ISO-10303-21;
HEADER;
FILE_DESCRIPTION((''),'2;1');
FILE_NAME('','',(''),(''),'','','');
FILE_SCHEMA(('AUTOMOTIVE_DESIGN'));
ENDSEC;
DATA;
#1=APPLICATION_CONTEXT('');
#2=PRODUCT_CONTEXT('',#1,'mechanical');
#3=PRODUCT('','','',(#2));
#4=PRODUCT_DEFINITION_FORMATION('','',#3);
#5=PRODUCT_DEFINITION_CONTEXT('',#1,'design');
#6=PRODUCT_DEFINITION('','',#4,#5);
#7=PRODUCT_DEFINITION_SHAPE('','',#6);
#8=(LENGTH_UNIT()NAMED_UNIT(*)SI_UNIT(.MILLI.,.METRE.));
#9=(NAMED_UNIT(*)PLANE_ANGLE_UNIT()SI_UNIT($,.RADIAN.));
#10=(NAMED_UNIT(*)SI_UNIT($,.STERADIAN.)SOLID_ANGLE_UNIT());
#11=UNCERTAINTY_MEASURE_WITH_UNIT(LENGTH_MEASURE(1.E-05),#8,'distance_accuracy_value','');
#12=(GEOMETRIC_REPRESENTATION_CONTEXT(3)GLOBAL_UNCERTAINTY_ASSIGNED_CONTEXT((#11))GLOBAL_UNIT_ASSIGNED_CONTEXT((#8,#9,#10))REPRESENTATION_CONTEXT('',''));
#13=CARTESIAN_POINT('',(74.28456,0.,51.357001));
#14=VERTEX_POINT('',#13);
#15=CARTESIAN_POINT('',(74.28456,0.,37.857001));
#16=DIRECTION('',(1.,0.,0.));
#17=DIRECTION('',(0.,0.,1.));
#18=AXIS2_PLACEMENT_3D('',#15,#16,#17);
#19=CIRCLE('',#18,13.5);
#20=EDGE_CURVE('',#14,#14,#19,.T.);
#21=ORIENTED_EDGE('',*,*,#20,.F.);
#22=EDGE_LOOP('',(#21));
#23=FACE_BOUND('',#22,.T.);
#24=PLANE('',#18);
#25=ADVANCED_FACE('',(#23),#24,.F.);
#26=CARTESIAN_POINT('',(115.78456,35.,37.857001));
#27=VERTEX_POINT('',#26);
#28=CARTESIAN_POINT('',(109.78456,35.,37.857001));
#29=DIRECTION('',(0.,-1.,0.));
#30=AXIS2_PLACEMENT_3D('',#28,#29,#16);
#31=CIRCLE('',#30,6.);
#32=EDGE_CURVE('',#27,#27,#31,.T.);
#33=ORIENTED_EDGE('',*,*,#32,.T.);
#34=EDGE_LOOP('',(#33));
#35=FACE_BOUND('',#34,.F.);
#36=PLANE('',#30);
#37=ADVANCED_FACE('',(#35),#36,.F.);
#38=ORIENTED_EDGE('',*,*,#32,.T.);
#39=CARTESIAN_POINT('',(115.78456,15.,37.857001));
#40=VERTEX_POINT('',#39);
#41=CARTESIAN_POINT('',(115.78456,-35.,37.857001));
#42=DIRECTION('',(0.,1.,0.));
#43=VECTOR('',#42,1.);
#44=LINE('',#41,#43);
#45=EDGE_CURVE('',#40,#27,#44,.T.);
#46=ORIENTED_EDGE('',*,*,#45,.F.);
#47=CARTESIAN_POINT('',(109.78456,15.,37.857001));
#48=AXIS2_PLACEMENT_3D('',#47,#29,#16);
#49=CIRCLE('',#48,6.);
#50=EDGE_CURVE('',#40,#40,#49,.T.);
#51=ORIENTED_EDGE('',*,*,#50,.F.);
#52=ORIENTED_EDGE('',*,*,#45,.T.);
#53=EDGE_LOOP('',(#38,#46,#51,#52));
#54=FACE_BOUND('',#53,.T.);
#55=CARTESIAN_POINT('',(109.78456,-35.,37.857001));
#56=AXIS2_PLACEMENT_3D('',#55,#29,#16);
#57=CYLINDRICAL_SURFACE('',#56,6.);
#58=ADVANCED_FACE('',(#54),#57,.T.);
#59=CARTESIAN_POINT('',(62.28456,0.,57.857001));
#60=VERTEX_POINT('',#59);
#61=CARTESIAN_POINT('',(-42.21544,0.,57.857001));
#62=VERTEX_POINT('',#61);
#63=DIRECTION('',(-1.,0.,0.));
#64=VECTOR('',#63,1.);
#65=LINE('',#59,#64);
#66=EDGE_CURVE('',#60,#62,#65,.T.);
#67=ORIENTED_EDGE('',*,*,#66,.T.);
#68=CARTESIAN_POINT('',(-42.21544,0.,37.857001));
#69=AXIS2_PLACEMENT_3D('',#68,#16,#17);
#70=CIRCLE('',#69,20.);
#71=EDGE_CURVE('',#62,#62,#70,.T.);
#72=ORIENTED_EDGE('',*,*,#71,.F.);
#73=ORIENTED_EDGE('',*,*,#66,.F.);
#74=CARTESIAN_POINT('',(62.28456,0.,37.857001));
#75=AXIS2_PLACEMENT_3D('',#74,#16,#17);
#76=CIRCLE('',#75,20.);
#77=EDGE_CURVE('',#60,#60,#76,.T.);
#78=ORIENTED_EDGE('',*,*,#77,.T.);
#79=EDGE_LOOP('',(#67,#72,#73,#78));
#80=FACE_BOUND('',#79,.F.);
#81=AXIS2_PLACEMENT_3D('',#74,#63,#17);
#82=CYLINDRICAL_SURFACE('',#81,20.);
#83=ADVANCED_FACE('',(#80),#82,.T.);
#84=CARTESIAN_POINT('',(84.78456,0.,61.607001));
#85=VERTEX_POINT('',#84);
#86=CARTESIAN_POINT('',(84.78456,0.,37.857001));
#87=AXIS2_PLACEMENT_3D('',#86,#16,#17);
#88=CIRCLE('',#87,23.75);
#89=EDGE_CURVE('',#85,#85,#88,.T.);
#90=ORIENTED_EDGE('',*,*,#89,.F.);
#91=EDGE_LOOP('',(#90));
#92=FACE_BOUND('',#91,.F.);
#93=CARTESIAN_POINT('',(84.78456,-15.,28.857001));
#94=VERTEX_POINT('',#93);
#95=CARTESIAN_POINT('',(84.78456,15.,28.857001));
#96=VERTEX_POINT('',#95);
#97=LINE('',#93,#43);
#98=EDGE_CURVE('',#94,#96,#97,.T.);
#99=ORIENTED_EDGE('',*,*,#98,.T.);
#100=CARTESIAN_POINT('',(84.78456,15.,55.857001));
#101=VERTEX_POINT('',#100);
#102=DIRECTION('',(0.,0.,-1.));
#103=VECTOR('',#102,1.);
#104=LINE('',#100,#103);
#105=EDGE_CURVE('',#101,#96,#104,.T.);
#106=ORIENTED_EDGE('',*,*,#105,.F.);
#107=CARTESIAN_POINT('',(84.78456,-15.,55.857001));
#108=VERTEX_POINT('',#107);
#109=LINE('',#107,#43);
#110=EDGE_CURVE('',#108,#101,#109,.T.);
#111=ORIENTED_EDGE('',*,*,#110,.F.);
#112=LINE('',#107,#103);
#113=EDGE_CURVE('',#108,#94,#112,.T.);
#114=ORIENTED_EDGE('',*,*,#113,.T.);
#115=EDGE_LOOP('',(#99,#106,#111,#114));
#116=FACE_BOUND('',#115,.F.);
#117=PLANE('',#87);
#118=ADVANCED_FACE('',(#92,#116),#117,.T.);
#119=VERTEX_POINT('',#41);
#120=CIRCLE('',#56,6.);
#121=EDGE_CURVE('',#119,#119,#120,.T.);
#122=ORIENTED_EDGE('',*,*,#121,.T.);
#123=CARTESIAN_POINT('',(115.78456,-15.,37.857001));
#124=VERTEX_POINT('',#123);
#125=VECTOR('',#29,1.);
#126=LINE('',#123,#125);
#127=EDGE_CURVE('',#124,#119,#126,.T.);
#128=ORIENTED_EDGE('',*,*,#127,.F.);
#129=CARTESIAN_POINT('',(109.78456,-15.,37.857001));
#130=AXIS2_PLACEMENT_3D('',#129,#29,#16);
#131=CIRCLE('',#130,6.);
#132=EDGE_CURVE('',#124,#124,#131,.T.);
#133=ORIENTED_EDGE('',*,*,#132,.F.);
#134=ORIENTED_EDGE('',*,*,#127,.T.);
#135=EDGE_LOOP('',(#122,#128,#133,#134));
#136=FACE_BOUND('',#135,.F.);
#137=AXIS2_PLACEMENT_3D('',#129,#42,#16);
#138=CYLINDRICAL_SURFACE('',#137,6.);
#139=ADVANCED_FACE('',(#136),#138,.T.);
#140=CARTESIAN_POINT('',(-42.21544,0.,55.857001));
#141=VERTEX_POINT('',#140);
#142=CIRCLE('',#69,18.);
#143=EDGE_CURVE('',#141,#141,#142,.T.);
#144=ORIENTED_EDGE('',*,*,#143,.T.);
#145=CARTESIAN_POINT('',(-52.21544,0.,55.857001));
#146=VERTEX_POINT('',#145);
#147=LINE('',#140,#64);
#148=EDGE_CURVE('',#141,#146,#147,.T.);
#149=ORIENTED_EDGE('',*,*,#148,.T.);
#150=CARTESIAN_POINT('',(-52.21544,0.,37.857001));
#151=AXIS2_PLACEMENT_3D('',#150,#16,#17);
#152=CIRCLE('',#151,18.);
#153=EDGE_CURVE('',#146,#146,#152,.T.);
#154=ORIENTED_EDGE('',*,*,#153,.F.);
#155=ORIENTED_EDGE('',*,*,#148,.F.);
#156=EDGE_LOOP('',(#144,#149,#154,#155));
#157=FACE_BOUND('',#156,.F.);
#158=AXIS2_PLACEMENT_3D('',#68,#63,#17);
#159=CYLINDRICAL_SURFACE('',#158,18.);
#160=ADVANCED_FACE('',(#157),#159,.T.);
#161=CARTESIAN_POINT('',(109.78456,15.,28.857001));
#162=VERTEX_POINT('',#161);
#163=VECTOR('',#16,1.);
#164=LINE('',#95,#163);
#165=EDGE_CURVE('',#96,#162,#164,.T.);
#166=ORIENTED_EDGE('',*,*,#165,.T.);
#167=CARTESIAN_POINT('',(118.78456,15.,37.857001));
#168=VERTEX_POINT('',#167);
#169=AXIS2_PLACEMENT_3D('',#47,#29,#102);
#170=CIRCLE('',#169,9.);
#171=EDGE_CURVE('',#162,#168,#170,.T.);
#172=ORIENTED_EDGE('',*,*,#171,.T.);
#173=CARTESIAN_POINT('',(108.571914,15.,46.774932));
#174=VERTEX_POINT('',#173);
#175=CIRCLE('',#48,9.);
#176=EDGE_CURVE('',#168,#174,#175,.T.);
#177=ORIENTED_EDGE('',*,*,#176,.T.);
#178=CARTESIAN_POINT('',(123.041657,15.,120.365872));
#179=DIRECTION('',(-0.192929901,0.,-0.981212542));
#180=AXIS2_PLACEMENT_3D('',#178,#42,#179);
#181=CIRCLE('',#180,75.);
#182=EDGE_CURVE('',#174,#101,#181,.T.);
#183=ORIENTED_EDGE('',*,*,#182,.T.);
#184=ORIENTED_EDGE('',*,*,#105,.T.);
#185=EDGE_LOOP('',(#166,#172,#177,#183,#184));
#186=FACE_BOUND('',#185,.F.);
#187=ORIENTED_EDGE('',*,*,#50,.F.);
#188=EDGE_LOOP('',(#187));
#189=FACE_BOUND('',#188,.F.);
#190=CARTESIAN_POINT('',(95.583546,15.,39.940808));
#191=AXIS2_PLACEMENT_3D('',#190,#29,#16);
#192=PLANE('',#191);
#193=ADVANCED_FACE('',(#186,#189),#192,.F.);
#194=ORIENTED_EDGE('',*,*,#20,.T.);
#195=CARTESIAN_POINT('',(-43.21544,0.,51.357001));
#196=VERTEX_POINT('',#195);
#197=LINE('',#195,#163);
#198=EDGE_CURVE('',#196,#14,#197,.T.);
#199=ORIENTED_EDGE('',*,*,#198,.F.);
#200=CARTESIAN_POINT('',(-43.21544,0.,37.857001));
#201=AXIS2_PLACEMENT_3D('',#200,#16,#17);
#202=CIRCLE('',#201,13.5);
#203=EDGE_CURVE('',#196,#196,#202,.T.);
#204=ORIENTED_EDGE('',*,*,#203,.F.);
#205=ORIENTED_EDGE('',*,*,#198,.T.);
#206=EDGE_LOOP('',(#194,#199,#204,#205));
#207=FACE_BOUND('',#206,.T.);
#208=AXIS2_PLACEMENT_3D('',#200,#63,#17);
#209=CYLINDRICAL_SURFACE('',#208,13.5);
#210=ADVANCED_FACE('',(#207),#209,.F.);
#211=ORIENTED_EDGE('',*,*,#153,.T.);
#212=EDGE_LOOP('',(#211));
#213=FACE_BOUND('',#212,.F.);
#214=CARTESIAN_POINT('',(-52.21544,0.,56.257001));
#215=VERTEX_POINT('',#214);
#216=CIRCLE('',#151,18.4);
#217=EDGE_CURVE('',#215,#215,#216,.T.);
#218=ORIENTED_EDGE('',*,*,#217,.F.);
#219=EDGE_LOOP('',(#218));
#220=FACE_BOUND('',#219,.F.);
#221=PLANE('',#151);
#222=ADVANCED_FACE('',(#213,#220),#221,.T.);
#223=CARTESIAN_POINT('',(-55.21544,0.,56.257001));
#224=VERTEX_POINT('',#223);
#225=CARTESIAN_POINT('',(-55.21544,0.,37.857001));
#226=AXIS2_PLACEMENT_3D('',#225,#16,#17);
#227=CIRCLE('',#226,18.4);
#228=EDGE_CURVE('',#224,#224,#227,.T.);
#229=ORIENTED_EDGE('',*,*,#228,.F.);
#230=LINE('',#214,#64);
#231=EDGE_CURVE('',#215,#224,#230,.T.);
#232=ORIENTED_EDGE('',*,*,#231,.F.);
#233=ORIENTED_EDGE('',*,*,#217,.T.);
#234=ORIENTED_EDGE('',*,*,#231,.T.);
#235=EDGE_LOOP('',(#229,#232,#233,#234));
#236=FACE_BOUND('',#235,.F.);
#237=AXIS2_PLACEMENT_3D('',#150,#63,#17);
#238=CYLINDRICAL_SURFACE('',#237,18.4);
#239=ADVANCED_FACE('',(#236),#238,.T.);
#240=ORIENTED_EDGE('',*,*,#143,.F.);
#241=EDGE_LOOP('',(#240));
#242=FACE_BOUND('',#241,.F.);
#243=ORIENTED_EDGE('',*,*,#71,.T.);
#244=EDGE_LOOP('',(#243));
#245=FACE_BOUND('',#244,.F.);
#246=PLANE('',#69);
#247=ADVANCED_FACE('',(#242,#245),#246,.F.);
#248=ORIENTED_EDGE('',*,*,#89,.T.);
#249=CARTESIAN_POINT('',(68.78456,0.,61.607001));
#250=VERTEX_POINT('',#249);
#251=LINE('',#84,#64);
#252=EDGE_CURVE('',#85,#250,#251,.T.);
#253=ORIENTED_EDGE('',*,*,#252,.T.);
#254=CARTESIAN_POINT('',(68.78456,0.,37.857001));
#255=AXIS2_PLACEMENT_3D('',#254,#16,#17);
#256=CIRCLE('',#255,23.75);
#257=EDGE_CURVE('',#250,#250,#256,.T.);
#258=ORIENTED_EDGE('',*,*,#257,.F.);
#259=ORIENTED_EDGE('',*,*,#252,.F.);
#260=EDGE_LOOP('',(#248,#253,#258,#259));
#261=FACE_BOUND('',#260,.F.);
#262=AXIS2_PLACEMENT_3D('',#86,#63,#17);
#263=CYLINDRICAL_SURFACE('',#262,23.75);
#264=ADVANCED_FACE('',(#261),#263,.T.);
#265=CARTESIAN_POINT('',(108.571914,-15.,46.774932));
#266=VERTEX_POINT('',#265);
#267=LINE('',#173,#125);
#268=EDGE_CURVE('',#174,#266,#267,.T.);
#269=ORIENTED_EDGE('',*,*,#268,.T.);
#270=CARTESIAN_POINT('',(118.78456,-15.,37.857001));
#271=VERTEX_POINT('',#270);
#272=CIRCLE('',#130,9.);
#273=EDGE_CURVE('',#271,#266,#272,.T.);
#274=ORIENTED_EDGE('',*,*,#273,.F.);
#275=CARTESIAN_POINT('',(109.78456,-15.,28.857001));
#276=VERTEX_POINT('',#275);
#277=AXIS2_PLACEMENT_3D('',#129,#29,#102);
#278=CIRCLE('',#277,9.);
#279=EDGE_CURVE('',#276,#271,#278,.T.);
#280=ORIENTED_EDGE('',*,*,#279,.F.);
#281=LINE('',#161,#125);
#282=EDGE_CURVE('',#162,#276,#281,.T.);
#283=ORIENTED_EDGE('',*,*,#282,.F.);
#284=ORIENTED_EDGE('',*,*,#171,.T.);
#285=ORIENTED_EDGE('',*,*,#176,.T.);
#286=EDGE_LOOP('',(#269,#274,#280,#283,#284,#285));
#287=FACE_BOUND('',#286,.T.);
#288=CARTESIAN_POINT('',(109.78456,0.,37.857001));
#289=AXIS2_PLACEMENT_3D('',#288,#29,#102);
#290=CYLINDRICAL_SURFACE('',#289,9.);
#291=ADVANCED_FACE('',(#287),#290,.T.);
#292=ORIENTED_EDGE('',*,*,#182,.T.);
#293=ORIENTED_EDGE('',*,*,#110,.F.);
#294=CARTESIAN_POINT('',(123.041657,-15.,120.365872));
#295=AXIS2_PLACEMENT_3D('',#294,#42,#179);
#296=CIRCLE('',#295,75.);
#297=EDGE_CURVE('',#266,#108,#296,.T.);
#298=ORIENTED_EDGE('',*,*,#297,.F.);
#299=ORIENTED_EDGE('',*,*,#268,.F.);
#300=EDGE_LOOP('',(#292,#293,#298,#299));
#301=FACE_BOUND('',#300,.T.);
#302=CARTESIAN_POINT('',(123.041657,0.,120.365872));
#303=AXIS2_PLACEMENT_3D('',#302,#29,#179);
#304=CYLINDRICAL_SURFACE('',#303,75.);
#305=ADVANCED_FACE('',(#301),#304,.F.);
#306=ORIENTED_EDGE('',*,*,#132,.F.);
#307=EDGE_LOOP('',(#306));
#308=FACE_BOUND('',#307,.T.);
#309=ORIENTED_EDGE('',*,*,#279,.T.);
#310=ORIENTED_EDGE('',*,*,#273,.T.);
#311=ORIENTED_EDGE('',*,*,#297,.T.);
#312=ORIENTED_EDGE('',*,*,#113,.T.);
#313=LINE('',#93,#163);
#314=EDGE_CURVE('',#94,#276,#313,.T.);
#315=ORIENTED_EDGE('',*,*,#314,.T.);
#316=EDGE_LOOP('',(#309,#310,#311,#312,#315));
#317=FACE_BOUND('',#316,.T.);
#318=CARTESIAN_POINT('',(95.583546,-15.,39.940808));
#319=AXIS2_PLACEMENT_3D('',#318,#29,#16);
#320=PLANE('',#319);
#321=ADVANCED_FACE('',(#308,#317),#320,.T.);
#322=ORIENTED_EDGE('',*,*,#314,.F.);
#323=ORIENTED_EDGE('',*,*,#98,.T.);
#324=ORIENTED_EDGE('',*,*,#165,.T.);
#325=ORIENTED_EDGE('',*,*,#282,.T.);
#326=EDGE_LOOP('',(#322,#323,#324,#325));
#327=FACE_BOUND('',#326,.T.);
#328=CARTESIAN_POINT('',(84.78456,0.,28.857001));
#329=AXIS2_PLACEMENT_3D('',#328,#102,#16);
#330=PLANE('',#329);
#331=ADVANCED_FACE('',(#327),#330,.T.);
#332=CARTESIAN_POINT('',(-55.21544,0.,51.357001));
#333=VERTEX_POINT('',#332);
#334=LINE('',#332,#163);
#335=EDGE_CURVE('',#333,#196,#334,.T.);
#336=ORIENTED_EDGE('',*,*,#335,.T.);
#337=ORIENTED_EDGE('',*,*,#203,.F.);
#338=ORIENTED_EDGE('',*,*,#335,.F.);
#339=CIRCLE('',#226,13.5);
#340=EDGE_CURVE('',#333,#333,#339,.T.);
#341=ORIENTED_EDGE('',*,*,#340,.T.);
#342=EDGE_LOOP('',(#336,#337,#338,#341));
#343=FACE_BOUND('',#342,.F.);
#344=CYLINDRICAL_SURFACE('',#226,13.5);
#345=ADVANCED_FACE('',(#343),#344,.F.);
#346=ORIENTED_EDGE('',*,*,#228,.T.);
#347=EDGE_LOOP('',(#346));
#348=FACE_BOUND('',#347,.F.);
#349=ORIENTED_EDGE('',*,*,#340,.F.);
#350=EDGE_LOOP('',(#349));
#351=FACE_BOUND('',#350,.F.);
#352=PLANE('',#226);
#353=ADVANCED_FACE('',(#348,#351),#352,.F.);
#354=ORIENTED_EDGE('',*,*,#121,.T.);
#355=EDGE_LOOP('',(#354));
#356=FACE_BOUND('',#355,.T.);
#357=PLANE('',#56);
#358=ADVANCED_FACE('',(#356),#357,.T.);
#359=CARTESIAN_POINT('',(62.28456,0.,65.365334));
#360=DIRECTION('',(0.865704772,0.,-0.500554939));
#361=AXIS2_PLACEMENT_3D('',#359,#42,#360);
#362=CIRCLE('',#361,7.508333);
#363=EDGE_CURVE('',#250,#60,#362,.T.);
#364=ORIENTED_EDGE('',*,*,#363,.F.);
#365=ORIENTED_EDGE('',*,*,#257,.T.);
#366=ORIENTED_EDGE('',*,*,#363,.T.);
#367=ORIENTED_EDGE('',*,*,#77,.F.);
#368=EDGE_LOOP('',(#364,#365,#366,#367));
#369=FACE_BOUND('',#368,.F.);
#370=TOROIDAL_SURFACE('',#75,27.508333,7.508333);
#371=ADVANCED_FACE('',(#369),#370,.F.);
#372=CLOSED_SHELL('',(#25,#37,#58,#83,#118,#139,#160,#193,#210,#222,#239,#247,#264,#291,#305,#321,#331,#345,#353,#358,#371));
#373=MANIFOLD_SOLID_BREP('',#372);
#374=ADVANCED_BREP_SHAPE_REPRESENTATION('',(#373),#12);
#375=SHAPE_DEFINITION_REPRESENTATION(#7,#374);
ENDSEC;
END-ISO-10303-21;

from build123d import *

# Parameters (mm, degrees)
F0_W     = 112
F0_H     = 13.5
F2_DEPTH = 117.5
F3_DEPTH = 15
F4_R     = 6
F5_DEPTH = 20
F6_DEPTH = 70


with BuildPart() as f1:
    # F0 (on Front) → F1 (revolve)
    with BuildSketch(Plane.XZ):
        with BuildLine():
            Line((84.7845596923, 37.8570006367), (84.7845596923, 55.8570006367))
            Line((84.7845596923, 55.8570006367), (84.7845596923, 61.6070006367))
            Line((84.7845596923, 61.6070006367), (68.7845596923, 61.6070006367))
            ThreePointArc((68.7845596923, 61.6070006367), (66.0366424473, 58.8617238614), (62.2845596923, 57.8570006367))
            Line((62.2845596923, 57.8570006367), (-42.2154403077, 57.8570006367))
            Line((-42.2154403077, 57.8570006367), (-42.2154403077, 55.8570006367))
            Line((-42.2154403077, 55.8570006367), (-52.2154403077, 55.8570006367))
            Line((-52.2154403077, 55.8570006367), (-52.2154403077, 56.2570006367))
            Line((-52.2154403077, 56.2570006367), (-55.2154403077, 56.2570006367))
            Line((-55.2154403077, 56.2570006367), (-55.2154403077, 51.3570006367))
            Line((-55.2154403077, 51.3570006367), (-43.2154403077, 51.3570006367))
            Line((-43.2154403077, 51.3570006367), (68.7845596923, 51.3570006367))
            Line((68.7845596923, 51.3570006367), (68.7845596923, 37.8570006367))
            Line((68.7845596923, 37.8570006367), (84.7845596923, 37.8570006367))
        make_face()
        with Locations((12.7845596923, 44.6070006367)):
            Rectangle(F0_W, F0_H)
    revolve(axis=Axis((14.7845596923, 0, 37.8570006367), (1, 0, 0)))

    # F2 (cut): a face of the model
    f2_faces = [f1.faces().sort_by_distance(p)[0] for p in [
        (-43.2154403077, 0, 37.8570006367),
    ]]
    extrude(f2_faces, amount=-F2_DEPTH, mode=Mode.SUBTRACT)

    # F0 (on Front) → F3 (join, symmetric)
    with BuildSketch(Plane.XZ):
        with BuildLine():
            Line((84.7845596923, 28.8570006367), (109.7845596923, 28.8570006367))
            ThreePointArc((109.7845596923, 28.8570006367), (100.8051004109, 37.2492909907), (108.5719143545, 46.7749315225))
            ThreePointArc((108.5719143545, 46.7749315225), (96.2900045696, 50.299124768), (84.7845596923, 55.8570006367))
            Line((84.7845596923, 55.8570006367), (84.7845596923, 37.8570006367))
            Line((84.7845596923, 37.8570006367), (84.7845596923, 28.8570006367))
        make_face()
        with BuildLine():
            ThreePointArc((108.5719143545, 46.7749315225), (100.8051004109, 37.2492909907), (109.7845596923, 28.8570006367))
            ThreePointArc((109.7845596923, 28.8570006367), (116.148520723, 31.493039606), (118.7845596923, 37.8570006367))
            ThreePointArc((118.7845596923, 37.8570006367), (115.70428063, 44.6361527975), (108.5719143545, 46.7749315225))
        make_face()
    extrude(amount=F3_DEPTH, both=True)

    # F4 (on face) → F5 (join)
    with BuildSketch(Plane.XZ.offset(15)):
        with Locations((109.7845596923, 37.8570006367)):
            Circle(F4_R)
    extrude(amount=F5_DEPTH)

    # F6 (add): a face of the model
    f6_faces = [f1.faces().sort_by_distance(p)[0] for p in [
        (109.7845596923, -35, 37.8570006367),
    ]]
    extrude(f6_faces, amount=-F6_DEPTH)


solid = f1.part
